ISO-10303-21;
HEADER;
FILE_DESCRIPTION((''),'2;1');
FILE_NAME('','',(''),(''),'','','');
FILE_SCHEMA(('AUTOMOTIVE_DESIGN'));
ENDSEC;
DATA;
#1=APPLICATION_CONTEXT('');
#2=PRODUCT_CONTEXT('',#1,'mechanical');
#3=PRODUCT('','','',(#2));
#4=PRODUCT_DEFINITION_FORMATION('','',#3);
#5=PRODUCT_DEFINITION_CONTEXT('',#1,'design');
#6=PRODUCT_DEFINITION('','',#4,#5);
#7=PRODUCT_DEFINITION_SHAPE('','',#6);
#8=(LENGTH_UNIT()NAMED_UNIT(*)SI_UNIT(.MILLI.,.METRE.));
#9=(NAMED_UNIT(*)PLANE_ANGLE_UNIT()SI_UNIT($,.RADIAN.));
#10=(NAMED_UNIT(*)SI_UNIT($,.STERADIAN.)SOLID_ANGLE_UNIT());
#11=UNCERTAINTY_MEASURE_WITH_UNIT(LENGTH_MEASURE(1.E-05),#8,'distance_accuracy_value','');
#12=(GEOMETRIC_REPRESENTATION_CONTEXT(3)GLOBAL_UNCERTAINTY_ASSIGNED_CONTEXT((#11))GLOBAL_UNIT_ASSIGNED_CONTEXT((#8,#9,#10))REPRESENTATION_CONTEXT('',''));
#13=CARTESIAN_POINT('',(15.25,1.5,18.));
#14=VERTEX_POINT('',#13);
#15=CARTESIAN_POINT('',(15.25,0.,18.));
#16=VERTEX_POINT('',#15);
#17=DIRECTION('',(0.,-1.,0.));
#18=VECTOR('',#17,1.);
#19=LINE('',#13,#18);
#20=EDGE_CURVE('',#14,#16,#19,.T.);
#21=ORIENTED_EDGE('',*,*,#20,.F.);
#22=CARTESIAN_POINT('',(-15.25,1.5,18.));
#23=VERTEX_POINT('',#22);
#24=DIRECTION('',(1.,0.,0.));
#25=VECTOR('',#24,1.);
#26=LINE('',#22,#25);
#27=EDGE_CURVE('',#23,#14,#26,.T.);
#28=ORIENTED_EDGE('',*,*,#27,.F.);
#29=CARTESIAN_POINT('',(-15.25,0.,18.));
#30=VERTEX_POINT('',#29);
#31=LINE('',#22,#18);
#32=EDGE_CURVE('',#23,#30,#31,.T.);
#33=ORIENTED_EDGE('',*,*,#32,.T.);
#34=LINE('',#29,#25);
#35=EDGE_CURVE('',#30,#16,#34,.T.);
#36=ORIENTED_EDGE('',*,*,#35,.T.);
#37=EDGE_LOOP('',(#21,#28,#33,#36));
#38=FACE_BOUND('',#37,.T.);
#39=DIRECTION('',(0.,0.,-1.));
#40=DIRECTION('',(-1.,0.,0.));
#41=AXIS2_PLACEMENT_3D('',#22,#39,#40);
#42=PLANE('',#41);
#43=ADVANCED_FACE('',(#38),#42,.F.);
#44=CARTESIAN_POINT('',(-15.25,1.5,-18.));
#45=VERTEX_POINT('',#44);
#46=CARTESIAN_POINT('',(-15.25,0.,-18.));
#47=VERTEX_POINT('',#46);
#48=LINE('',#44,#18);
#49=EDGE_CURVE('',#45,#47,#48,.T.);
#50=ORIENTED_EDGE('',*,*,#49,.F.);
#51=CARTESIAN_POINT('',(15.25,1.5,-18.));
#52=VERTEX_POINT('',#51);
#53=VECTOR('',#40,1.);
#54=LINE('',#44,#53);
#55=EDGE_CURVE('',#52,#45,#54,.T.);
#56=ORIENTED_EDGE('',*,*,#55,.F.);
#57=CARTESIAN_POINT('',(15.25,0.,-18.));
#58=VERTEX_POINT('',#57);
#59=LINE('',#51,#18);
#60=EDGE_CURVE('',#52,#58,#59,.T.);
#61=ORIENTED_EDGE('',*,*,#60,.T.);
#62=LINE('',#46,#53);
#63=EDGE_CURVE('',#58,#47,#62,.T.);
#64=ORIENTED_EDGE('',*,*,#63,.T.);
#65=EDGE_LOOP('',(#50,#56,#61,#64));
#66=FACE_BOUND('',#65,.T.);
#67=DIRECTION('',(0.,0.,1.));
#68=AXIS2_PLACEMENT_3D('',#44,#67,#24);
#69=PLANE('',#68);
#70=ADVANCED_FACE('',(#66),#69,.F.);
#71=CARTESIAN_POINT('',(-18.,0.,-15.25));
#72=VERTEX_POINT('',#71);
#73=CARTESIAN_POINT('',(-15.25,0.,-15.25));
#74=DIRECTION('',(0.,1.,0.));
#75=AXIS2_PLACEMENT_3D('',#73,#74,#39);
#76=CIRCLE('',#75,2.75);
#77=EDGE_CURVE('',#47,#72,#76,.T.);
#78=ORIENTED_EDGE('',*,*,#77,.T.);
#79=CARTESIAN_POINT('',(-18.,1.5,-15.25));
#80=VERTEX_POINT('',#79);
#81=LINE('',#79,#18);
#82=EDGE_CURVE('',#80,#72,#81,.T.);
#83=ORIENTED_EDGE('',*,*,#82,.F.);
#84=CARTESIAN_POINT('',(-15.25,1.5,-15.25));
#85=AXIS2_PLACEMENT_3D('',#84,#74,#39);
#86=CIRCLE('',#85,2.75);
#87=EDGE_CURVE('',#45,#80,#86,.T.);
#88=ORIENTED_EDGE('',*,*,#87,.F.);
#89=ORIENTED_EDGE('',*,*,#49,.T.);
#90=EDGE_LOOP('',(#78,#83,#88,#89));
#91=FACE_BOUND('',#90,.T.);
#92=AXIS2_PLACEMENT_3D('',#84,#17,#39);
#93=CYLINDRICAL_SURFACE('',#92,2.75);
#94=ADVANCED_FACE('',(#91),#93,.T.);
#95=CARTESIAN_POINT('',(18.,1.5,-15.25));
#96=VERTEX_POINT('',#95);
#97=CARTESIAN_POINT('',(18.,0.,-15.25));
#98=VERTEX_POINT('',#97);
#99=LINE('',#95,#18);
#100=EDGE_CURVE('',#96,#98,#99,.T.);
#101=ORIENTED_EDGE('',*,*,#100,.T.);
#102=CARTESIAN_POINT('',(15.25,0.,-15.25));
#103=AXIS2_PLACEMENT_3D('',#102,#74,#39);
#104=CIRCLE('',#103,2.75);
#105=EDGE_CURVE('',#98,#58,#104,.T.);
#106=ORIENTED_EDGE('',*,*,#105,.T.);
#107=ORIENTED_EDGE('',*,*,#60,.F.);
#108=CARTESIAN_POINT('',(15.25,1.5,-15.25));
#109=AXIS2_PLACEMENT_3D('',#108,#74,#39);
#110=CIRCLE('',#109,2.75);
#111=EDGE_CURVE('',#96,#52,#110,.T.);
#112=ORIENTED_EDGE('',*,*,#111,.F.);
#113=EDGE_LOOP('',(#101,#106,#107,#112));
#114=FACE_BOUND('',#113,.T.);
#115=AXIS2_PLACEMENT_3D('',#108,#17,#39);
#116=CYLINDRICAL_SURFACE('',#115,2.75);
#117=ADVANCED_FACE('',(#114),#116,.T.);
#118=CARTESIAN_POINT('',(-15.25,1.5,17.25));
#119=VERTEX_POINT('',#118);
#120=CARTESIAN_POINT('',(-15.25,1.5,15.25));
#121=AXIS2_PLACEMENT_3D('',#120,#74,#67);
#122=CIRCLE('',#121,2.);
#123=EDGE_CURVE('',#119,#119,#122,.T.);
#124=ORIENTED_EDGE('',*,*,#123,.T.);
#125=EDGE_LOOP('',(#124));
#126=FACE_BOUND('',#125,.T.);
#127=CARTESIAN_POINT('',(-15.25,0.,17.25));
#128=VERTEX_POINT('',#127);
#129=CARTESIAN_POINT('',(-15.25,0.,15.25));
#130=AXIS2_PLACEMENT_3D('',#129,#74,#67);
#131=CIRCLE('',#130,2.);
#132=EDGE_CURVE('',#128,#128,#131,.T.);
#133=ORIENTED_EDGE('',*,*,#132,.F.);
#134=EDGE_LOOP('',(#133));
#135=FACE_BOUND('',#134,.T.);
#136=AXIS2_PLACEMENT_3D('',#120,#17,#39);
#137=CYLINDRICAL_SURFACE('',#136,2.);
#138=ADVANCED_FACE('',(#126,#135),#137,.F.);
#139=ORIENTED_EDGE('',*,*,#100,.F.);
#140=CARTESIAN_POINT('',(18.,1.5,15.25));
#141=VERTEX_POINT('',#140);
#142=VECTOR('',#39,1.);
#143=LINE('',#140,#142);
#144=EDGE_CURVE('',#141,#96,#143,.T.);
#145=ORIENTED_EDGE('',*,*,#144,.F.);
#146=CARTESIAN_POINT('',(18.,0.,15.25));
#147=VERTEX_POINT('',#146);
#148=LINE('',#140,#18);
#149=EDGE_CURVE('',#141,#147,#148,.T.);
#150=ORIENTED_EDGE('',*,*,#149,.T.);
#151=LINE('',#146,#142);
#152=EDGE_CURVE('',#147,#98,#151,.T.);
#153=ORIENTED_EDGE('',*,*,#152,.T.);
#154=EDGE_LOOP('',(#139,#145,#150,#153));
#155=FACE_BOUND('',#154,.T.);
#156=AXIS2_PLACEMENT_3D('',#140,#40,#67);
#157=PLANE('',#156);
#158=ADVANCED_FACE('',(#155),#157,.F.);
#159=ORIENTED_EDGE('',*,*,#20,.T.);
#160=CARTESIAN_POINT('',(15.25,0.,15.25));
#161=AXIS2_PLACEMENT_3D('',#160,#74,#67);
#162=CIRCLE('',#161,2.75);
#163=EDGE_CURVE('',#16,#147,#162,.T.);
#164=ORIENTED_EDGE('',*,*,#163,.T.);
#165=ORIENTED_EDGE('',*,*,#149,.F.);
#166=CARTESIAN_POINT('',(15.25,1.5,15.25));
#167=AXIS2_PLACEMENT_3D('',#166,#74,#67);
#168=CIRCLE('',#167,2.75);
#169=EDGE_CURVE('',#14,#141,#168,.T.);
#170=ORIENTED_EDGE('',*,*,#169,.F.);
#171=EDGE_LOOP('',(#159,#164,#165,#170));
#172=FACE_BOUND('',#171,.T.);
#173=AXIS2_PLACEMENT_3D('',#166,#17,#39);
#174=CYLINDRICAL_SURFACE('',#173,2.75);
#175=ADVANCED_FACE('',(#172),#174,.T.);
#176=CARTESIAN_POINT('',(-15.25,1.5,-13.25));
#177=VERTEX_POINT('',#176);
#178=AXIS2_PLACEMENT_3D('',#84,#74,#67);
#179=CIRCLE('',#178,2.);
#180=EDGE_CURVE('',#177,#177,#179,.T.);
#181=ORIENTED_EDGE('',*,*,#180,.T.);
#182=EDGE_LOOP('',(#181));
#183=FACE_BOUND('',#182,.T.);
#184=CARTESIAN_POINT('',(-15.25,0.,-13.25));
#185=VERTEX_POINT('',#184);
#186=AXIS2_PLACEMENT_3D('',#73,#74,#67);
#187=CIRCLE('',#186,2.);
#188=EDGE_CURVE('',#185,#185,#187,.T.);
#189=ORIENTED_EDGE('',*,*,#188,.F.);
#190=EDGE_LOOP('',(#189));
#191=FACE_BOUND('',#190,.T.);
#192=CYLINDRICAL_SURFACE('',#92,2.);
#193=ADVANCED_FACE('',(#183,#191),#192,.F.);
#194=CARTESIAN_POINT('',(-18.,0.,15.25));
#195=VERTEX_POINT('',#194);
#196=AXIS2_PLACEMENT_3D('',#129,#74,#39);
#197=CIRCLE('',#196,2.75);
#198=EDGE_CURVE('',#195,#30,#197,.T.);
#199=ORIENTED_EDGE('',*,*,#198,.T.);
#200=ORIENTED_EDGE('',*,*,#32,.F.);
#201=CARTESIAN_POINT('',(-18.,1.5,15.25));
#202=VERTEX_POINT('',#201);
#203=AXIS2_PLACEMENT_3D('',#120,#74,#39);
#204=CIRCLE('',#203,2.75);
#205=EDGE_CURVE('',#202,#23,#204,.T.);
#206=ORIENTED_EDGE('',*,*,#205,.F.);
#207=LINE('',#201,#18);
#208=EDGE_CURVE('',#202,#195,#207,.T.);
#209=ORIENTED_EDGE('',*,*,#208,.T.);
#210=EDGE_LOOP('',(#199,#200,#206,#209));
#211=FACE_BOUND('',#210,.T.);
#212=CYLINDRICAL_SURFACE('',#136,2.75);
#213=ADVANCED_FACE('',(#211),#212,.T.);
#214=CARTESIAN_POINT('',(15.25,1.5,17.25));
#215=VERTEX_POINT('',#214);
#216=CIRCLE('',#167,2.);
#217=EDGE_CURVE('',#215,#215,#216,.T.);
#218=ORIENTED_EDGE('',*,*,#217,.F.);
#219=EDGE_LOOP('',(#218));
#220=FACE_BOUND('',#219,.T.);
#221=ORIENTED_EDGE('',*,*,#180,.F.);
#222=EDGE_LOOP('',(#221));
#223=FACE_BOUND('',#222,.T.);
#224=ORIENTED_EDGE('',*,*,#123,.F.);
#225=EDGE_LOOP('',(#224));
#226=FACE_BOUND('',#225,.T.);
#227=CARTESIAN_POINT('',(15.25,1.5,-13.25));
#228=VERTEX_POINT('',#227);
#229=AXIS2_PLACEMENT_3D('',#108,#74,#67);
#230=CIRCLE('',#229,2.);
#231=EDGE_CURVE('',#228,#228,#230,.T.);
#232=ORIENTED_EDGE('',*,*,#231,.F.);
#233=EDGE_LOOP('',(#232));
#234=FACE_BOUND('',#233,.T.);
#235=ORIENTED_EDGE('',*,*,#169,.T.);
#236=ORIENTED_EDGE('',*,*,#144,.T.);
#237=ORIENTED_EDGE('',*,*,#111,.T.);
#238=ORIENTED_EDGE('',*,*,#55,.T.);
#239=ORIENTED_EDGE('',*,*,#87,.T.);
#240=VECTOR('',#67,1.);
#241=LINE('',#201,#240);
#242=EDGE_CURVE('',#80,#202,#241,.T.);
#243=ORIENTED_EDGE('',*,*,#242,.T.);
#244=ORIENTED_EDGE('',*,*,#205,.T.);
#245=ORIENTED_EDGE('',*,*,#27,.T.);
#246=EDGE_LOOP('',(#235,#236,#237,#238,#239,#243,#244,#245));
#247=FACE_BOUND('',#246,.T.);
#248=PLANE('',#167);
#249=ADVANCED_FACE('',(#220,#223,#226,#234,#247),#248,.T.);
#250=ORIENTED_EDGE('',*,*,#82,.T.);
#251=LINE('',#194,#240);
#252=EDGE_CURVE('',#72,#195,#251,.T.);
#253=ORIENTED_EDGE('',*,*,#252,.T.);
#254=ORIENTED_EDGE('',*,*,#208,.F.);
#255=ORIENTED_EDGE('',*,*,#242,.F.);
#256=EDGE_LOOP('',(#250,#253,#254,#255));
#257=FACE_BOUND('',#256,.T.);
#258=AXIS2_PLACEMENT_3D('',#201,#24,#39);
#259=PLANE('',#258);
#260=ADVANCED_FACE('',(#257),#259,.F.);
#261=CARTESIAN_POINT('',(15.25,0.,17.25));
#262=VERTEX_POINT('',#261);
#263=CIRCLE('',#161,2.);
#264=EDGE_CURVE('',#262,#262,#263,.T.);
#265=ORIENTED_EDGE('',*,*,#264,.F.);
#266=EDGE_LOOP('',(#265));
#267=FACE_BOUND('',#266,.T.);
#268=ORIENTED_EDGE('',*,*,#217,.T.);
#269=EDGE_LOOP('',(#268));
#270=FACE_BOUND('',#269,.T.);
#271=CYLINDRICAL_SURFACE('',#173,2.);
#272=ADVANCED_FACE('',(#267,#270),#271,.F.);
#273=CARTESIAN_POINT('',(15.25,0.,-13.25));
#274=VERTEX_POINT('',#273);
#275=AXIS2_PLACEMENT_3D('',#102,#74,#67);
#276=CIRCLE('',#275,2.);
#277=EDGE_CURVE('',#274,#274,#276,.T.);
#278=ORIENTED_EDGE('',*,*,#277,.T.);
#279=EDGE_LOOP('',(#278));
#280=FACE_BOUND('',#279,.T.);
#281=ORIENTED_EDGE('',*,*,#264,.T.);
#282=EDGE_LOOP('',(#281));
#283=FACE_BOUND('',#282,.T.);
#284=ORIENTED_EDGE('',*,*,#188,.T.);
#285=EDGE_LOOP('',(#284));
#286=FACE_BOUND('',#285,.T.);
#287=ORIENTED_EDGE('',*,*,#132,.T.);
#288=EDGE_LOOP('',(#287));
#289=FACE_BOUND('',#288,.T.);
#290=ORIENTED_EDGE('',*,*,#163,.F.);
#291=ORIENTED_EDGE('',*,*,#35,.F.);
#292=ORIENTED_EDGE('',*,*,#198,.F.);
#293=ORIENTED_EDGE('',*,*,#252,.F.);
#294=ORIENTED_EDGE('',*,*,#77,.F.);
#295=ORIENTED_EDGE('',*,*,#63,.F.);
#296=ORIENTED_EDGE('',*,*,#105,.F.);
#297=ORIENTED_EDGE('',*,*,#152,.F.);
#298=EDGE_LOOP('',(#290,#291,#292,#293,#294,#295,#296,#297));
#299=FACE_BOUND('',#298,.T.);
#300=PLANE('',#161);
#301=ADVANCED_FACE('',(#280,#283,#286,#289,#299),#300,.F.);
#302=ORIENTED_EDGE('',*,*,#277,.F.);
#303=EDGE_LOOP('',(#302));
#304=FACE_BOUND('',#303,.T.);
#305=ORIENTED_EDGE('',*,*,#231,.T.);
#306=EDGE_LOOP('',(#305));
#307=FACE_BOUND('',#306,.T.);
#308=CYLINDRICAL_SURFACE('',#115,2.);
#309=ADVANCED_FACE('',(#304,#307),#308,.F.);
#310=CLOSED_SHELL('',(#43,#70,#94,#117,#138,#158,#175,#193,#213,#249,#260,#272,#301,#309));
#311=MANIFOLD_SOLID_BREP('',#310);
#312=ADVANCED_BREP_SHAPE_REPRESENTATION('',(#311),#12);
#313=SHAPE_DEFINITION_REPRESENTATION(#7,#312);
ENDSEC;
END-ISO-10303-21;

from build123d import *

# Parameters (mm, degrees)
SKETCH_1_R      = 2
EXTRUDE_1_DEPTH = 1.5


with BuildPart() as part:
    # 草图1 → 凸台-拉伸1 (new body)
    with BuildSketch(Plane(origin=(0, 0, 0), x_dir=(1, 0, 0), z_dir=(0, 1, 0))):
        with BuildLine():
            Line((-15.25, -18), (15.25, -18))
            ThreePointArc((15.25, -18), (17.194543648, -17.194543648), (18, -15.25))
            Line((18, -15.25), (18, 15.25))
            ThreePointArc((18, 15.25), (17.194543648, 17.194543648), (15.25, 18))
            Line((15.25, 18), (-15.25, 18))
            ThreePointArc((-15.25, 18), (-17.194543648, 17.194543648), (-18, 15.25))
            Line((-18, 15.25), (-18, -15.25))
            ThreePointArc((-18, -15.25), (-17.194543648, -17.194543648), (-15.25, -18))
        make_face()
        with Locations(Location((15.25, 15.25, 0), (0, 0, 270))):
            Circle(SKETCH_1_R, mode=Mode.SUBTRACT)
        with Locations(Location((15.25, -15.25, 0), (0, 0, 270))):
            Circle(SKETCH_1_R, mode=Mode.SUBTRACT)
        with Locations(Location((-15.25, -15.25, 0), (0, 0, 270))):
            Circle(SKETCH_1_R, mode=Mode.SUBTRACT)
        with Locations(Location((-15.25, 15.25, 0), (0, 0, 270))):
            Circle(SKETCH_1_R, mode=Mode.SUBTRACT)
    extrude(amount=EXTRUDE_1_DEPTH)


solid = part.part
